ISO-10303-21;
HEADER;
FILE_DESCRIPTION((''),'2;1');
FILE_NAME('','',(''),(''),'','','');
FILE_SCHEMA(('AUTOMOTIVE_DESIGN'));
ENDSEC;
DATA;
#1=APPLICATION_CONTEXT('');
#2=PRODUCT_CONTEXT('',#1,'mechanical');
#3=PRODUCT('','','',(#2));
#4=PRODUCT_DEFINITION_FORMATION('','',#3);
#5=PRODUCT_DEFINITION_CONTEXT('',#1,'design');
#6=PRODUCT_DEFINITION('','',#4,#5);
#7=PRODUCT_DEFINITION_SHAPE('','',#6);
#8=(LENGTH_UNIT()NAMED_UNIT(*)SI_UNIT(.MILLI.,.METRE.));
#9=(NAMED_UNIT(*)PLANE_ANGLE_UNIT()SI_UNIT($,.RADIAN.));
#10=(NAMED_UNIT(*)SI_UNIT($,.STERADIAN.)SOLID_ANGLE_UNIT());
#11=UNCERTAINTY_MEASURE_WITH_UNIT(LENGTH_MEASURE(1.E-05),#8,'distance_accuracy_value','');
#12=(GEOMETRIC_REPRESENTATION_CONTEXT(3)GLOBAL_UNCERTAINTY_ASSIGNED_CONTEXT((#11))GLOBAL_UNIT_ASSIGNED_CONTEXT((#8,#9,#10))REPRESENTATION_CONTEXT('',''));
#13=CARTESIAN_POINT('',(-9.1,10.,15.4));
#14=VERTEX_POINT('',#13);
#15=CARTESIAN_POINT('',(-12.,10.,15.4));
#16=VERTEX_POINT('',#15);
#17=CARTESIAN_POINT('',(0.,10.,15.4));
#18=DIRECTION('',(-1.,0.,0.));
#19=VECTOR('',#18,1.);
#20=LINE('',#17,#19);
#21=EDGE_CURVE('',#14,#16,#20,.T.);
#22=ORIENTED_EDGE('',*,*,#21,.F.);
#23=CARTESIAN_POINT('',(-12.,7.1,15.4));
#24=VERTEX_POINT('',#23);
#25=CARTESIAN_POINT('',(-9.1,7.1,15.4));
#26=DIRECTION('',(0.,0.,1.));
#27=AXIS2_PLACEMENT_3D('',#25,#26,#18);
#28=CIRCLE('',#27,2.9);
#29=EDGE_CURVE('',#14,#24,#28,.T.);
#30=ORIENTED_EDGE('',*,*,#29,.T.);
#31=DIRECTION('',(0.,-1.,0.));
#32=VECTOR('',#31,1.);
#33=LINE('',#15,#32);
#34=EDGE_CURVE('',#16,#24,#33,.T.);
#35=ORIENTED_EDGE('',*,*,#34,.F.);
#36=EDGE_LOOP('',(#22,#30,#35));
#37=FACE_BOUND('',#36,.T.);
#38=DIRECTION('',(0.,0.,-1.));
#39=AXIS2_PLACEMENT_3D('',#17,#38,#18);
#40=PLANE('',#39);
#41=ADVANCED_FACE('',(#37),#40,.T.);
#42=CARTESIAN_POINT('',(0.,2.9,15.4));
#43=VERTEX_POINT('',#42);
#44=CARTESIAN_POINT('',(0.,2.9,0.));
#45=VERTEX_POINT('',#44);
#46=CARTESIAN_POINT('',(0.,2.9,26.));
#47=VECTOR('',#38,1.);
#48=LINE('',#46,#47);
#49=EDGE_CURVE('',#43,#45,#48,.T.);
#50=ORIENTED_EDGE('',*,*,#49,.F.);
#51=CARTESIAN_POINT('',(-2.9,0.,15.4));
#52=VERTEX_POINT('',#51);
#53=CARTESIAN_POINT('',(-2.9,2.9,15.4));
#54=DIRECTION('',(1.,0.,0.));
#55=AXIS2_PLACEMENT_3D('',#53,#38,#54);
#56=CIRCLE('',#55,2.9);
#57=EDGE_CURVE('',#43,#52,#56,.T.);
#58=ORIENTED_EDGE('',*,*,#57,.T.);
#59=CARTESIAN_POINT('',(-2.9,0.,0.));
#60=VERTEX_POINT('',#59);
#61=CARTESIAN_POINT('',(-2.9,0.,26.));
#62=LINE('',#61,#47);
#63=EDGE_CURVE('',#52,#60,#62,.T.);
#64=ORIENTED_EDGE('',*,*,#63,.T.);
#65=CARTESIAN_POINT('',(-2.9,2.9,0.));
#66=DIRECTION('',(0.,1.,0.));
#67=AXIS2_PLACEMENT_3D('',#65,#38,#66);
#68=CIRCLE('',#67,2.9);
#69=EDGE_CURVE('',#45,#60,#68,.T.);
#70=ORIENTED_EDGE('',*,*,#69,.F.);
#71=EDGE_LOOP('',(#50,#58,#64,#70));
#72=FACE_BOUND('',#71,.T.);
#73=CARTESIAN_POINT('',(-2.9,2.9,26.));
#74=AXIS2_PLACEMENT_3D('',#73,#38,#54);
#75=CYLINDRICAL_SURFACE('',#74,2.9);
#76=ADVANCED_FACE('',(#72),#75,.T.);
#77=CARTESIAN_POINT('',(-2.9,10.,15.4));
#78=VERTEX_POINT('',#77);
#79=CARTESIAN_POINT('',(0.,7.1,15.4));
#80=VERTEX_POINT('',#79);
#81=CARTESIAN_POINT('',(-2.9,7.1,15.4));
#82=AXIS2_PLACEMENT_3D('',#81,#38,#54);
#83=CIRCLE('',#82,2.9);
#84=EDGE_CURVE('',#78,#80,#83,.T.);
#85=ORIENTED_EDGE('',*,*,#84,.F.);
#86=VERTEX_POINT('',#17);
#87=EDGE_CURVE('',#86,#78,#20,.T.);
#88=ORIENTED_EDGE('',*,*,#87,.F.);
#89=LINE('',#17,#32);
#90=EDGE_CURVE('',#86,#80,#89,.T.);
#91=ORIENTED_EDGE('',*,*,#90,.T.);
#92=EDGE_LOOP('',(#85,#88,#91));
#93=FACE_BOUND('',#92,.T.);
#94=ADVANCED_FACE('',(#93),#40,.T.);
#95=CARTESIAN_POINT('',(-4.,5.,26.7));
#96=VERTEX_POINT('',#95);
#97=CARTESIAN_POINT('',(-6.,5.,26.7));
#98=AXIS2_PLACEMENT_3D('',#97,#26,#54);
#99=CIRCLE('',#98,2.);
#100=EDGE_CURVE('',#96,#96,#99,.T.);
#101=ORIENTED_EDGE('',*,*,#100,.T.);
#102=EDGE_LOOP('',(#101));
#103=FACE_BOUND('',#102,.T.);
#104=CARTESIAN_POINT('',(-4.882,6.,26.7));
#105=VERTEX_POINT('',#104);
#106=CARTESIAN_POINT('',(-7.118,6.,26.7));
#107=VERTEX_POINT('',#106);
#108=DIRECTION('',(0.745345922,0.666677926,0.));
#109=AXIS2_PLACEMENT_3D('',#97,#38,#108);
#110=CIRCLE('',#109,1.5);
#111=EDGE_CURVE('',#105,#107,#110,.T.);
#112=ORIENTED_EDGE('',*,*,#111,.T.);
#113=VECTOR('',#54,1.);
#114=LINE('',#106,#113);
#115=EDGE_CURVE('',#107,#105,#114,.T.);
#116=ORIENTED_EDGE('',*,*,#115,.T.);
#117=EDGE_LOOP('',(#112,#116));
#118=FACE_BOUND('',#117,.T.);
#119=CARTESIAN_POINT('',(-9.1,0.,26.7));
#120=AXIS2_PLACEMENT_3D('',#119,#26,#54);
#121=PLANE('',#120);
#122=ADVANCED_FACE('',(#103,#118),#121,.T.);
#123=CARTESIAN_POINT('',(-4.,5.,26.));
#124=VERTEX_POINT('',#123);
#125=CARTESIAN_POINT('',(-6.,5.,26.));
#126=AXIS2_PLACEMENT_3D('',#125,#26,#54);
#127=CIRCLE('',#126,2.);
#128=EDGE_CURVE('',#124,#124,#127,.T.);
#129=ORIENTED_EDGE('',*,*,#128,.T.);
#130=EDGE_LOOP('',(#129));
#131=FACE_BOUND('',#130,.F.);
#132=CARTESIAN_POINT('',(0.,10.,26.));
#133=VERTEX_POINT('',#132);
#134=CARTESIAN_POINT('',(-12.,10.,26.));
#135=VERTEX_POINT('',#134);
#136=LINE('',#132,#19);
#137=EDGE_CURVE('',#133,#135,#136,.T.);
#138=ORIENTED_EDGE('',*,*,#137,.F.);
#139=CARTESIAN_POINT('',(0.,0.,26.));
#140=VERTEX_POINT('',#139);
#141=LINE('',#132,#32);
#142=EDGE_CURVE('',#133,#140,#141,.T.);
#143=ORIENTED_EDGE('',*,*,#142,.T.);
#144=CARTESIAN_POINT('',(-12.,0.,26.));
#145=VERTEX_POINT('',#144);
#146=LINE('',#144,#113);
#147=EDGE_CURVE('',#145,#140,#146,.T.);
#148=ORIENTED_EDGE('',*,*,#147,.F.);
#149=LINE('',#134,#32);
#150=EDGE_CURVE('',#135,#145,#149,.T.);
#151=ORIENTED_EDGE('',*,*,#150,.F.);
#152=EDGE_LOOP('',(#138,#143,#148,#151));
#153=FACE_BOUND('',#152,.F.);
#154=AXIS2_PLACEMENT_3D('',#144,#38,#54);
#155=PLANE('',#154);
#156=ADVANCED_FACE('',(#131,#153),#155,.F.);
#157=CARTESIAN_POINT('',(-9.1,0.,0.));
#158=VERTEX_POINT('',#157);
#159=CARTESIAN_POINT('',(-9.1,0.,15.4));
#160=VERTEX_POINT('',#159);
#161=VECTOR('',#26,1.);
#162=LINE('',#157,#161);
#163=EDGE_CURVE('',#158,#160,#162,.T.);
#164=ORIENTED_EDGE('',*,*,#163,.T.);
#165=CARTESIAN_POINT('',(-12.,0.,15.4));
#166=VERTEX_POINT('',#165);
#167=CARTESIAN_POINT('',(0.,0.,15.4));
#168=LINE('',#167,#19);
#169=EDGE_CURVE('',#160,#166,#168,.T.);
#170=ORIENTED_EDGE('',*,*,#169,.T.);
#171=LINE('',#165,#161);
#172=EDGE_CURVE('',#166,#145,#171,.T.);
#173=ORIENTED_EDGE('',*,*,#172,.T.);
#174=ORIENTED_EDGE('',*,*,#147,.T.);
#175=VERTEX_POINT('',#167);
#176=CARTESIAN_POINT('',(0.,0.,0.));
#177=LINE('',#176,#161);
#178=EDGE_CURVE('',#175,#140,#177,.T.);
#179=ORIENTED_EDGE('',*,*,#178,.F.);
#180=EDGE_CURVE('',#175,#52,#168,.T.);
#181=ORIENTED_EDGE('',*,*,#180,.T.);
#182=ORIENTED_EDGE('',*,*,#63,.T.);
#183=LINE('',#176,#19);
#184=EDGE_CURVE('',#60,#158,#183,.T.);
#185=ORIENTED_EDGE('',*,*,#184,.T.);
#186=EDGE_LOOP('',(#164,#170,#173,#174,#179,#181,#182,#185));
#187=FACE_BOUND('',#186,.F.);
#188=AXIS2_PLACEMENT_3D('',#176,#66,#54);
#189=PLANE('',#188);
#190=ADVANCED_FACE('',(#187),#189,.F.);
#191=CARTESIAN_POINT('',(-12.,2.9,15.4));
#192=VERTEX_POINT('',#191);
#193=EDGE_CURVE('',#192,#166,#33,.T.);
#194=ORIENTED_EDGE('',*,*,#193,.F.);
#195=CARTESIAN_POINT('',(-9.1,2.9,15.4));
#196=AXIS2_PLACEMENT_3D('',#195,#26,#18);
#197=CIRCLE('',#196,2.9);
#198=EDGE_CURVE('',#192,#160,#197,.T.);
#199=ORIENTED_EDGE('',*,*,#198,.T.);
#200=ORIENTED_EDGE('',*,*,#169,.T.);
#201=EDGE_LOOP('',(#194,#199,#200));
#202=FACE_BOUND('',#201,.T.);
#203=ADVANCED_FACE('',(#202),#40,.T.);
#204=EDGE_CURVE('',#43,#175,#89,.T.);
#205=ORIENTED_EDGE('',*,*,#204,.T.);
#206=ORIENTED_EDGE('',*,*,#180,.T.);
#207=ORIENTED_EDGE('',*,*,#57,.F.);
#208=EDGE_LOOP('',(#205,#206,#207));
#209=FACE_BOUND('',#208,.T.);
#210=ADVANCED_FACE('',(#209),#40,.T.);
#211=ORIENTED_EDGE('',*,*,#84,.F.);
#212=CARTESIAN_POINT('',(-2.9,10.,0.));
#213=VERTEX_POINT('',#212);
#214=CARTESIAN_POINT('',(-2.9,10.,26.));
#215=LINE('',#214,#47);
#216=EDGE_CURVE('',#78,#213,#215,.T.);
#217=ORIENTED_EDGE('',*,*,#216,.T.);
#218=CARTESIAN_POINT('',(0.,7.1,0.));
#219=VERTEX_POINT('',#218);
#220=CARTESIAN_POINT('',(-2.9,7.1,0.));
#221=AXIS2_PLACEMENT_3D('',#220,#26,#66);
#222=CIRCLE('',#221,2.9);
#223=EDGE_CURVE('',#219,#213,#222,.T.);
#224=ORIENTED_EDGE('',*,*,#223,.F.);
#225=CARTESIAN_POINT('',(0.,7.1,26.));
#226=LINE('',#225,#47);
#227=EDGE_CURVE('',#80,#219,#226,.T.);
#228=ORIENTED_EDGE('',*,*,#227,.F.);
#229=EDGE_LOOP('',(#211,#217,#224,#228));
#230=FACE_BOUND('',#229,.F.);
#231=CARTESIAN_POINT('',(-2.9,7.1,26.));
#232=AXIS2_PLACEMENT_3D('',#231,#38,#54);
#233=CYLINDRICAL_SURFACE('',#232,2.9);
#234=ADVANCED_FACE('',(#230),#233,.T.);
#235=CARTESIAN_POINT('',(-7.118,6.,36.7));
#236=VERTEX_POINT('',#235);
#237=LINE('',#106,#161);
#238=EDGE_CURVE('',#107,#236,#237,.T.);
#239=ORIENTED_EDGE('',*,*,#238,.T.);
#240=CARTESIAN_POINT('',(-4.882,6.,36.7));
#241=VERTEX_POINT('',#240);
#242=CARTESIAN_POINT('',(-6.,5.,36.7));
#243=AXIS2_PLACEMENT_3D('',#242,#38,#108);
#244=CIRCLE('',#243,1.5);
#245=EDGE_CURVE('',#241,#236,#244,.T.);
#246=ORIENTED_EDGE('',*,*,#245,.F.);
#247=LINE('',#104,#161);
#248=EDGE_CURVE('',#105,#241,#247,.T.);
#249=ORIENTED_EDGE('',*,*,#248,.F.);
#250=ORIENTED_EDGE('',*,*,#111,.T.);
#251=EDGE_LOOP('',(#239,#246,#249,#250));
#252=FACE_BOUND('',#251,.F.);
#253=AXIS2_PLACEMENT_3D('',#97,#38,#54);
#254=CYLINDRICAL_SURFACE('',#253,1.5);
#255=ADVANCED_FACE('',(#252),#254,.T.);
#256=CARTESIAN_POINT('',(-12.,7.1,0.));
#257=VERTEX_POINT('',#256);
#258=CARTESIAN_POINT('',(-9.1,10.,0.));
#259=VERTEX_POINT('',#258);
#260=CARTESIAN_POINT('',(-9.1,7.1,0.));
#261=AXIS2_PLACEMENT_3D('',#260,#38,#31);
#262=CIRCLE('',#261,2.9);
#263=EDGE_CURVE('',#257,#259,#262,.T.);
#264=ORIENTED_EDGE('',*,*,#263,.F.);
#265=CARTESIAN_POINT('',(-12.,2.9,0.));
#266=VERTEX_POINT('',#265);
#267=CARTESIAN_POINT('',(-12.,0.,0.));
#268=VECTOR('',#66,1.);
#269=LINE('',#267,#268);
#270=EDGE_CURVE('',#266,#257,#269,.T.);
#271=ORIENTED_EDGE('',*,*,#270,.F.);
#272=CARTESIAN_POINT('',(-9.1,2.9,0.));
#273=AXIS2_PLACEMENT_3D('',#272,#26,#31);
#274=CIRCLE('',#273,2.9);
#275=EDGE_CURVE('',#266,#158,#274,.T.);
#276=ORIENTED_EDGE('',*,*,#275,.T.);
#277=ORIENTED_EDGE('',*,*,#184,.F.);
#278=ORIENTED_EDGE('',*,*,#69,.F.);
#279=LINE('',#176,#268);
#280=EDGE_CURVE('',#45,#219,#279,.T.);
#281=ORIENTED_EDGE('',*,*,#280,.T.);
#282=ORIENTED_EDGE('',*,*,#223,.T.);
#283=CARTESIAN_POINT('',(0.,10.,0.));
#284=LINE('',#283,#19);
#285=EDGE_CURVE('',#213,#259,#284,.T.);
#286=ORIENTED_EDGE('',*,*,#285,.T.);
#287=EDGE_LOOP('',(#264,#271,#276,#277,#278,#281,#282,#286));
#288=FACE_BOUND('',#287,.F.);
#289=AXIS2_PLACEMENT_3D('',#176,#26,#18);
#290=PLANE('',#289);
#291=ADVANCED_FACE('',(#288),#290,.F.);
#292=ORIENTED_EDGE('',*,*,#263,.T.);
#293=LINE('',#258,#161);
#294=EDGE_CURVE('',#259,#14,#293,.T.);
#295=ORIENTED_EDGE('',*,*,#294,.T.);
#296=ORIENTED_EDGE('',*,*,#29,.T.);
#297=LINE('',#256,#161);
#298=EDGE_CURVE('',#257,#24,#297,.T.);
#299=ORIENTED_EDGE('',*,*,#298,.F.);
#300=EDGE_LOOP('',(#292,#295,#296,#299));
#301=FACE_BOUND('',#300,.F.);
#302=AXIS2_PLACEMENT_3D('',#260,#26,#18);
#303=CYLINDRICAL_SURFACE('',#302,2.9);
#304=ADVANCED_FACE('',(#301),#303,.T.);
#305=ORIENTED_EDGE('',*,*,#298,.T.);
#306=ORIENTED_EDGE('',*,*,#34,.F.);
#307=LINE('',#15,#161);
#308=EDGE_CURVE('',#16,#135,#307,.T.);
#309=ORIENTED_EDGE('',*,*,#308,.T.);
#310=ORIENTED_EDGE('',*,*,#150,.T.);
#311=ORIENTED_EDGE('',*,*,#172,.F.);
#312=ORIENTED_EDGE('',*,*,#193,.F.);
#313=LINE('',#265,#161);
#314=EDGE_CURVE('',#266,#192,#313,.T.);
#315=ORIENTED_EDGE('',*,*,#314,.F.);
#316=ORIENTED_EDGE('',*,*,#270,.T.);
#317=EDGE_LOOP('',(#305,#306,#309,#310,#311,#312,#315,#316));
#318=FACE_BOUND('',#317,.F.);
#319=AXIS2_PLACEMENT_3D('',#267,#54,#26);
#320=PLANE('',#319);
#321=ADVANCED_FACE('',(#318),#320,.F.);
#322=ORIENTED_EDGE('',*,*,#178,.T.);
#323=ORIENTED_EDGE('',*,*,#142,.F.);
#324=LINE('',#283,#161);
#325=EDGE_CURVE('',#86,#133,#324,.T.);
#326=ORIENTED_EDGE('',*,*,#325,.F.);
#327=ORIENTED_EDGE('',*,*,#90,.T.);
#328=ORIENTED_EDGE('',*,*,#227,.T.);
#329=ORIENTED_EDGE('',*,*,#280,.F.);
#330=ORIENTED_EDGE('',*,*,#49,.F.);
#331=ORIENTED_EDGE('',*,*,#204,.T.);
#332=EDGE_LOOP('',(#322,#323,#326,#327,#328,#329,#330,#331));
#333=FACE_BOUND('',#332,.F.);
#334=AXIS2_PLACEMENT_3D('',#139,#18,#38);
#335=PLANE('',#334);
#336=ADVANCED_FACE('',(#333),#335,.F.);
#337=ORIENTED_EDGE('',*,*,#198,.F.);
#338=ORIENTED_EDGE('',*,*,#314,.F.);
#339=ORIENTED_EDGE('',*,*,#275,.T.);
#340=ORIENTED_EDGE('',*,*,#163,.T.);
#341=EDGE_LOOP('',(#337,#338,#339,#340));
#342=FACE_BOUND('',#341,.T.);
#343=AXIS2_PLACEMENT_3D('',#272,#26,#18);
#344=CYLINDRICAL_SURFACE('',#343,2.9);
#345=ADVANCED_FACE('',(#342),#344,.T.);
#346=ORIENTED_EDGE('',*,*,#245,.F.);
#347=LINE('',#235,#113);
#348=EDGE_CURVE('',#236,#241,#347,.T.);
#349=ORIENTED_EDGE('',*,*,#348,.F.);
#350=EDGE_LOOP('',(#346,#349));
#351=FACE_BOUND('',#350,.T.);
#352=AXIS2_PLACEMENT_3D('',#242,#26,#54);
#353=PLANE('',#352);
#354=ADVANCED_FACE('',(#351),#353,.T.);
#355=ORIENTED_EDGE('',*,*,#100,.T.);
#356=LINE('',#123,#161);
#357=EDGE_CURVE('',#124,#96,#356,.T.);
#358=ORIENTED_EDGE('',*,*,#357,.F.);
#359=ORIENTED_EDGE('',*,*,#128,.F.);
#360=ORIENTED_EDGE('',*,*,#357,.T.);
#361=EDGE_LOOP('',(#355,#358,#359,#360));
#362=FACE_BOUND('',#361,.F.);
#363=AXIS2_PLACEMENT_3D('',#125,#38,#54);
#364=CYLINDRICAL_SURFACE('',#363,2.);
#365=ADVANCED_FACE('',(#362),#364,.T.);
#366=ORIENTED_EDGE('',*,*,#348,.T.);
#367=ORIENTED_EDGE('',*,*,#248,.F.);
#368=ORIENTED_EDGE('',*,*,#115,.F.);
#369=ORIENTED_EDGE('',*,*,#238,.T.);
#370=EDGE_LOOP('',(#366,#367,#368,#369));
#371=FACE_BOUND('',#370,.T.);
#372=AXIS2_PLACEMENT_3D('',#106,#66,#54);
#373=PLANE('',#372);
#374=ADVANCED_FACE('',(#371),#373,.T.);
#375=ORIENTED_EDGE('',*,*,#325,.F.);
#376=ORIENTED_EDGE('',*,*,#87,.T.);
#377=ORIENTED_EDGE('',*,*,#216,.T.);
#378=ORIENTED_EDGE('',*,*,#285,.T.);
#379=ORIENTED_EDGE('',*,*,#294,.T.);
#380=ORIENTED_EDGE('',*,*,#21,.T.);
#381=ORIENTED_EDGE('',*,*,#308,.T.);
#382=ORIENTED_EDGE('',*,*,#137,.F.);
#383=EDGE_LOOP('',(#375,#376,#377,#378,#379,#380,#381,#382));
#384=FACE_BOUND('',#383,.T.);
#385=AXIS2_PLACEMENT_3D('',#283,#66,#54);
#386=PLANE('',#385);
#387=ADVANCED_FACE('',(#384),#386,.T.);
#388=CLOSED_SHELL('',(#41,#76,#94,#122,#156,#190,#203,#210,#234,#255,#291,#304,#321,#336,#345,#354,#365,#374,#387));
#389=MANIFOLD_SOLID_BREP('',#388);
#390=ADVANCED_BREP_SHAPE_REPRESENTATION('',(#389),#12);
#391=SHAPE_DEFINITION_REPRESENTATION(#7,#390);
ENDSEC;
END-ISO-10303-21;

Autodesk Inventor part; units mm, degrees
ref_plane "YZ Plane" through (0, 0, 0) normal (1, 0, 0) x (0, 1, 0)
ref_plane "XZ Plane" through (0, 0, 0) normal (0, 1, 0) x (-1, 0, 0)
ref_plane "XY Plane" through (0, 0, 0) normal (0, 0, 1) x (1, 0, 0)
sketch "Szkic1" plane through (0, 0, 0) normal (0, 1, 0) x (-1, 0, 0)
  line L0 (0, 0) -> (12, 0)
  line L1 (12, 0) -> (12, 26)
  line L2 (12, 26) -> (0, 26)
  line L3 (0, 26) -> (0, 0)
  dimension "d0" = 26
  dimension "d1" = 12
extrude "Wyciągnięcie proste1" add sketch "Szkic1" along normal blind 10
fillet "Zaokrąglenie1" radius 2.9 4 edges at (0, 10, 13) (0, 0, 13) (-12, 10, 13) (-12, 0, 13)
sketch "Szkic2" plane through (-9.1, 0, 26) normal (0, 0, 1) x (1, 0, 0)
  circle A0 centre (3.1, 5) radius 2
  line L0 (-2.9, 2.9) -> (-2.9, 7.1) projected
  line L1 (0, 10) -> (6.2, 10) projected
  point P0 (9.1, 0)
  point P1 (-2.9, 5)
  point P2 (3.1, 10)
  dimension "d5" = 4
extrude "Wyciągnięcie proste2" add sketch "Szkic2" along normal blind 0.7
sketch "Szkic3" plane through (-6, 5, 26.7) normal (0, 0, 1) x (1, 0, 0)
  circle A0 centre (0, 0) radius 1.5
  line L0 (-1.118, 1) -> (1.118, 1)
  circle A1 centre (0, 0) radius 2 projected
  line L1 (-3.1, -5) -> (3.1, -5) projected
  point P0 (6, -5)
  dimension "d8" = 3
  dimension "d9" = 2.5
  dimension "d10" = 0
  dimension "d11" = 0
extrude "Wyciągnięcie proste3" add sketch "Szkic3" along normal blind 10 contours A0 L0 picked at (0.0594, 0.1702)
sketch "Szkic4" plane through (0, 10, 0) normal (0, 1, 0) x (1, 0, 0)
  line L0 (-9.1, -26) -> (-12, -26) projected
  line L1 (0, 0) -> (0, -26) projected
  line L2 (-12, -26) -> (0, -26)
  line L3 (0, -26) -> (0, -15.4)
  line L4 (0, -15.4) -> (-12, -15.4)
  line L5 (-12, -15.4) -> (-12, -26)
  line L6 (-2.9, 0) -> (-9.1, 0) projected
  dimension "d14" = 15.4
extrude "Wyciągnięcie proste4" add sketch "Szkic4" against normal blind 10
properties part number "Silniczek"
